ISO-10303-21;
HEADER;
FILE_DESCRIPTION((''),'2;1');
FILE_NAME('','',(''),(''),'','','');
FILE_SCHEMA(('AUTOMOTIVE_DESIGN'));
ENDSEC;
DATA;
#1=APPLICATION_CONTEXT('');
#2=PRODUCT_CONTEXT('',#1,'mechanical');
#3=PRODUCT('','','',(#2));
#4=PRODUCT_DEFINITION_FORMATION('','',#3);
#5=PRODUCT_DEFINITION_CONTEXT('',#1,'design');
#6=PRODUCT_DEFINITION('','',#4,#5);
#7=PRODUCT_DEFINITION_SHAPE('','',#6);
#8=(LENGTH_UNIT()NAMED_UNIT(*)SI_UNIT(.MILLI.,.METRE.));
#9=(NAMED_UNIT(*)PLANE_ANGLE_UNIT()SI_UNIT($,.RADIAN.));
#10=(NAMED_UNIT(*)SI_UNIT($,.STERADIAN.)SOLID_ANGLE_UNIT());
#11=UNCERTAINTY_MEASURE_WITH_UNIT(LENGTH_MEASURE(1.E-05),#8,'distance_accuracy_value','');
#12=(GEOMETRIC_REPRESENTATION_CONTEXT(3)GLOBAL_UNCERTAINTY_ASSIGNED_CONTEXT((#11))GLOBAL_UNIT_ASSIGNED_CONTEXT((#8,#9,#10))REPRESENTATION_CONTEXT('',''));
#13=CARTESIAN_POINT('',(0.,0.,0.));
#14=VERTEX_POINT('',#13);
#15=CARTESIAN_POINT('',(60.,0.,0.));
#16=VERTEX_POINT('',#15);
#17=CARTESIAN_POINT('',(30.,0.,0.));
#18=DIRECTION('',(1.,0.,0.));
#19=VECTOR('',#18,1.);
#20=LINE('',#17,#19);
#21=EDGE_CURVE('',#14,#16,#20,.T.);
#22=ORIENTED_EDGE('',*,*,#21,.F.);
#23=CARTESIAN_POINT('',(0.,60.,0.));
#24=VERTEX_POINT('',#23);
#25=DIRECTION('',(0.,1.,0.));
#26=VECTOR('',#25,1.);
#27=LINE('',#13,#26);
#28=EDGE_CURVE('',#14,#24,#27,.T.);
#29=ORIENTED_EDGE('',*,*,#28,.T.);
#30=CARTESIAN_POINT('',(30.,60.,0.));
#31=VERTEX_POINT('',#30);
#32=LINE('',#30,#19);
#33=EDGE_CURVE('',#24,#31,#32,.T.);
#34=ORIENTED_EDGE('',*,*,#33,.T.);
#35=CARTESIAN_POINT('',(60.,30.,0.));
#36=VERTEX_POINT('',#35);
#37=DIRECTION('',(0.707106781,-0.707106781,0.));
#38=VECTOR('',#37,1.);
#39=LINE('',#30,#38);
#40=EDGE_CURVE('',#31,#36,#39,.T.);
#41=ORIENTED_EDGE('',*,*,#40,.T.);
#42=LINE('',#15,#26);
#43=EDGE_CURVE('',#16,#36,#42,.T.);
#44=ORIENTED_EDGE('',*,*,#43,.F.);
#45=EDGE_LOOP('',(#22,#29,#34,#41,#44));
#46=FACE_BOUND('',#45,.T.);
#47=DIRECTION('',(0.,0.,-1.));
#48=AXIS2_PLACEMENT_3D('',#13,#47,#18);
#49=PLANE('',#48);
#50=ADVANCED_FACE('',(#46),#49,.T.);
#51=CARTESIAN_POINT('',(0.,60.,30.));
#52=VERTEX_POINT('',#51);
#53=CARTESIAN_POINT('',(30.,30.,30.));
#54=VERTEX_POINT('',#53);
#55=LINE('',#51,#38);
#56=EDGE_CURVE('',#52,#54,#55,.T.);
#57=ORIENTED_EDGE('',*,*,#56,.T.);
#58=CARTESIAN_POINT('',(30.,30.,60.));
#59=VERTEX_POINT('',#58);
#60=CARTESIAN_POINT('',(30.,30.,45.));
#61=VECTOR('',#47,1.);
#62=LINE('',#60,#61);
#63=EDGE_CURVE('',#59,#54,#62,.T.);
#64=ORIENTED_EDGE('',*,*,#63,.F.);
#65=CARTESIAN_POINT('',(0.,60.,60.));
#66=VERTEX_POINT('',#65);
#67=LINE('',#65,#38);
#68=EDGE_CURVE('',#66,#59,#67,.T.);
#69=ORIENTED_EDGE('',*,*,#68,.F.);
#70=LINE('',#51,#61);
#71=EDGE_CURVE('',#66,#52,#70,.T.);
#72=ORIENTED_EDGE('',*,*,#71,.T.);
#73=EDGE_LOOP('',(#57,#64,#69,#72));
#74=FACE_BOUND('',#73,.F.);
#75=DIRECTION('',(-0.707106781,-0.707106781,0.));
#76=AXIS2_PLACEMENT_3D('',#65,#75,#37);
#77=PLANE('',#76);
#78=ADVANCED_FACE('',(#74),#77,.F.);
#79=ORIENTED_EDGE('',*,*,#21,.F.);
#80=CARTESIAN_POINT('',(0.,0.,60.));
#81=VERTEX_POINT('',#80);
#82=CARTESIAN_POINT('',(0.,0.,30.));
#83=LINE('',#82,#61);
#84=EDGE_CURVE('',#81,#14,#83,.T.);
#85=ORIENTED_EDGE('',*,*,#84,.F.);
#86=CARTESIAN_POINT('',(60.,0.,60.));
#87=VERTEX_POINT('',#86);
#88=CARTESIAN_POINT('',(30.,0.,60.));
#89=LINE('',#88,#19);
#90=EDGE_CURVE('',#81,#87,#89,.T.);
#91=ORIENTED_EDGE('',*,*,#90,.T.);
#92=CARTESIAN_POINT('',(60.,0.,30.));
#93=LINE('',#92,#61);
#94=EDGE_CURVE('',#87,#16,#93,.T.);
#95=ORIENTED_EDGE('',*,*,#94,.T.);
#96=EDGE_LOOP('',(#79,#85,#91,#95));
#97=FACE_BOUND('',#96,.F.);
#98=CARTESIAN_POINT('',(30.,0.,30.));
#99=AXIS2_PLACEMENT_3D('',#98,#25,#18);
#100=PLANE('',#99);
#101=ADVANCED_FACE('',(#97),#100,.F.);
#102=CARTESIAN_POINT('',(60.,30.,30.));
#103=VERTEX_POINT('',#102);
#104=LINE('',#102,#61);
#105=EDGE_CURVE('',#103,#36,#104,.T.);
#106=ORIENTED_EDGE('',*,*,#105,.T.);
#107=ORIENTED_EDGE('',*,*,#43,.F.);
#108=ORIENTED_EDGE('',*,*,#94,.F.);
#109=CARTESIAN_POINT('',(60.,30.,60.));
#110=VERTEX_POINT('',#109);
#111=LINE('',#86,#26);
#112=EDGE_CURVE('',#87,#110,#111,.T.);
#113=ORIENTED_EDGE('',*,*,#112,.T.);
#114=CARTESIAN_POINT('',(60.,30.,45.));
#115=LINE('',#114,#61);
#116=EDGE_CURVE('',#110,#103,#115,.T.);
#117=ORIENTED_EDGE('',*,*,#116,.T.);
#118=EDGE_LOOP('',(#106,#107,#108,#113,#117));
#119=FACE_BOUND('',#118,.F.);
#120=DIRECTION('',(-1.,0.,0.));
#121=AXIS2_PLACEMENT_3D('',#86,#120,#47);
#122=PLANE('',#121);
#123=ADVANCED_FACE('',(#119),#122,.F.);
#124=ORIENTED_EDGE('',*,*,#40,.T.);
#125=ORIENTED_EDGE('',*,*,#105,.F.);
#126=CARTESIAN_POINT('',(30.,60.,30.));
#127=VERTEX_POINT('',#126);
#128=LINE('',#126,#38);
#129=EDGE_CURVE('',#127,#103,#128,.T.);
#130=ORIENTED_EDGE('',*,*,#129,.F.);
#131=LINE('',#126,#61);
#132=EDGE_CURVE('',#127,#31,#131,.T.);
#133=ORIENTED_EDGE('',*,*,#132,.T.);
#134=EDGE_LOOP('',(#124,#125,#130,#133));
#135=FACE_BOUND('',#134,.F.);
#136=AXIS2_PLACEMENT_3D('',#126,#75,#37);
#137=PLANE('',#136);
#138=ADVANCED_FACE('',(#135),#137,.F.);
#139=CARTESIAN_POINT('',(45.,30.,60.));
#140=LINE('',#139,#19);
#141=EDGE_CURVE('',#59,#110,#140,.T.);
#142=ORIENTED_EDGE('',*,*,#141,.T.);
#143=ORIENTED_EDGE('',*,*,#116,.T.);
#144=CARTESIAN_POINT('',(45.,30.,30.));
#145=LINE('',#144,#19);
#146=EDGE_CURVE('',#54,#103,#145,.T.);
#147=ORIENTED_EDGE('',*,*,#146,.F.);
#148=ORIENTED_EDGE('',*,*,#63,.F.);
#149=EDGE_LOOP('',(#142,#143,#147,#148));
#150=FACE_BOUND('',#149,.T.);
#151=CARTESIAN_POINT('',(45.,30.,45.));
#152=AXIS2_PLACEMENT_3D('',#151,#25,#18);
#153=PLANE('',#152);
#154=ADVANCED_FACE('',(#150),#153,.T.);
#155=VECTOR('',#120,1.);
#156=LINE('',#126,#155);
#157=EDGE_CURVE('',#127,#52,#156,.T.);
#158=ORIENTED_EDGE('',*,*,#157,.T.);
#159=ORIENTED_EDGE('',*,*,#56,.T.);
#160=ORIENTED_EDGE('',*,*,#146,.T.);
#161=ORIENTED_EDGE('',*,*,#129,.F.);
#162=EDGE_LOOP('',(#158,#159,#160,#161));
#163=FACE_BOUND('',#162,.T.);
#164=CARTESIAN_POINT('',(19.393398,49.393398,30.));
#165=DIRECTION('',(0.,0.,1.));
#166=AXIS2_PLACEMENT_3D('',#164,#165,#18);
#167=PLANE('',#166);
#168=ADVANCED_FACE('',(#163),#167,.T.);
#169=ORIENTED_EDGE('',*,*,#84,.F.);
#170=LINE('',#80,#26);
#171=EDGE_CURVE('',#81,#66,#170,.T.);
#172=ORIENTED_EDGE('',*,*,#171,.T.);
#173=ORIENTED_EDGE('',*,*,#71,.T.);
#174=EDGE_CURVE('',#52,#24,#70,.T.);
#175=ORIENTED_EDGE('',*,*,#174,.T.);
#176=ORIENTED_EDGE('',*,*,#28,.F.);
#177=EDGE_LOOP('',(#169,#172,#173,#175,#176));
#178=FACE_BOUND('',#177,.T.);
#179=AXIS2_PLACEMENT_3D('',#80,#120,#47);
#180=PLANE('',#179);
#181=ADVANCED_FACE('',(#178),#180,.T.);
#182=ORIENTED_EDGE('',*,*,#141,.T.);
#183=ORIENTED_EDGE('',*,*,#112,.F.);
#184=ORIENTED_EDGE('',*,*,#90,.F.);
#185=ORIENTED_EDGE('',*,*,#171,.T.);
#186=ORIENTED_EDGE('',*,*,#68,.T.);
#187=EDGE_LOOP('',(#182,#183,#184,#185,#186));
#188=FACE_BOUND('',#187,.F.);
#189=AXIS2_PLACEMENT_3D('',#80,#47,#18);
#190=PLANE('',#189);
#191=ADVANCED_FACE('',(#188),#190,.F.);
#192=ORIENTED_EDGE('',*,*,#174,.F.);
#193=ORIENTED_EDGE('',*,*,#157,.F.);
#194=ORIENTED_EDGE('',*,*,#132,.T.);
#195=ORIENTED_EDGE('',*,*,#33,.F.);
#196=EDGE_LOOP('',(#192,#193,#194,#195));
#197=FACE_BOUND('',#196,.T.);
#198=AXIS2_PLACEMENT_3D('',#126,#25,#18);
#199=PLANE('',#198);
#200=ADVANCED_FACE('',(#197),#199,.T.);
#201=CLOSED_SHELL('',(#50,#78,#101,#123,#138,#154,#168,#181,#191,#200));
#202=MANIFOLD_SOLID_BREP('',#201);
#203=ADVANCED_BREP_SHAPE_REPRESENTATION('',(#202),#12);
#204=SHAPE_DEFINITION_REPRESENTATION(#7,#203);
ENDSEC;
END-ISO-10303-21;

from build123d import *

# Parameters (mm, degrees)
CROQUIS1_W              = 60
CROQUIS1_H              = 60
SALIENTE_EXTRUIR1_DEPTH = 60
CROQUIS2_W              = 30
CROQUIS2_H              = 30
CORTAR_EXTRUIR1_DEPTH   = 30
CORTAR_EXTRUIR2_DEPTH   = 30
CORTAR_EXTRUIR3_DEPTH   = 30


with BuildPart() as part:
    # Croquis1 → Saliente-Extruir1 (new body)
    with BuildSketch(Plane(origin=(0, 0, 0), x_dir=(1, 0, 0), z_dir=(0, 1, 0))):
        with Locations((30, -30)):
            Rectangle(CROQUIS1_W, CROQUIS1_H)
    extrude(amount=SALIENTE_EXTRUIR1_DEPTH)

    # Croquis2 → Cortar-Extruir1 (cut)
    with BuildSketch(Plane(origin=(0, 60, 0), x_dir=(1, 0, 0), z_dir=(0, 1, 0))):
        with Locations((45, -45)):
            Rectangle(CROQUIS2_W, CROQUIS2_H)
    extrude(amount=-CORTAR_EXTRUIR1_DEPTH, mode=Mode.SUBTRACT)

    # Croquis3 → Cortar-Extruir2 (cut)
    with BuildSketch(Plane.XY.offset(30)):
        Polygon((30, 60), (60, 30), (60, 60), align=None)
    extrude(amount=-CORTAR_EXTRUIR2_DEPTH, mode=Mode.SUBTRACT)

    # Croquis4 → Cortar-Extruir3 (cut)
    with BuildSketch(Plane.XY.offset(60)):
        Polygon((0, 60), (30, 30), (30, 60), align=None)
    extrude(amount=-CORTAR_EXTRUIR3_DEPTH, mode=Mode.SUBTRACT)


solid = part.part
